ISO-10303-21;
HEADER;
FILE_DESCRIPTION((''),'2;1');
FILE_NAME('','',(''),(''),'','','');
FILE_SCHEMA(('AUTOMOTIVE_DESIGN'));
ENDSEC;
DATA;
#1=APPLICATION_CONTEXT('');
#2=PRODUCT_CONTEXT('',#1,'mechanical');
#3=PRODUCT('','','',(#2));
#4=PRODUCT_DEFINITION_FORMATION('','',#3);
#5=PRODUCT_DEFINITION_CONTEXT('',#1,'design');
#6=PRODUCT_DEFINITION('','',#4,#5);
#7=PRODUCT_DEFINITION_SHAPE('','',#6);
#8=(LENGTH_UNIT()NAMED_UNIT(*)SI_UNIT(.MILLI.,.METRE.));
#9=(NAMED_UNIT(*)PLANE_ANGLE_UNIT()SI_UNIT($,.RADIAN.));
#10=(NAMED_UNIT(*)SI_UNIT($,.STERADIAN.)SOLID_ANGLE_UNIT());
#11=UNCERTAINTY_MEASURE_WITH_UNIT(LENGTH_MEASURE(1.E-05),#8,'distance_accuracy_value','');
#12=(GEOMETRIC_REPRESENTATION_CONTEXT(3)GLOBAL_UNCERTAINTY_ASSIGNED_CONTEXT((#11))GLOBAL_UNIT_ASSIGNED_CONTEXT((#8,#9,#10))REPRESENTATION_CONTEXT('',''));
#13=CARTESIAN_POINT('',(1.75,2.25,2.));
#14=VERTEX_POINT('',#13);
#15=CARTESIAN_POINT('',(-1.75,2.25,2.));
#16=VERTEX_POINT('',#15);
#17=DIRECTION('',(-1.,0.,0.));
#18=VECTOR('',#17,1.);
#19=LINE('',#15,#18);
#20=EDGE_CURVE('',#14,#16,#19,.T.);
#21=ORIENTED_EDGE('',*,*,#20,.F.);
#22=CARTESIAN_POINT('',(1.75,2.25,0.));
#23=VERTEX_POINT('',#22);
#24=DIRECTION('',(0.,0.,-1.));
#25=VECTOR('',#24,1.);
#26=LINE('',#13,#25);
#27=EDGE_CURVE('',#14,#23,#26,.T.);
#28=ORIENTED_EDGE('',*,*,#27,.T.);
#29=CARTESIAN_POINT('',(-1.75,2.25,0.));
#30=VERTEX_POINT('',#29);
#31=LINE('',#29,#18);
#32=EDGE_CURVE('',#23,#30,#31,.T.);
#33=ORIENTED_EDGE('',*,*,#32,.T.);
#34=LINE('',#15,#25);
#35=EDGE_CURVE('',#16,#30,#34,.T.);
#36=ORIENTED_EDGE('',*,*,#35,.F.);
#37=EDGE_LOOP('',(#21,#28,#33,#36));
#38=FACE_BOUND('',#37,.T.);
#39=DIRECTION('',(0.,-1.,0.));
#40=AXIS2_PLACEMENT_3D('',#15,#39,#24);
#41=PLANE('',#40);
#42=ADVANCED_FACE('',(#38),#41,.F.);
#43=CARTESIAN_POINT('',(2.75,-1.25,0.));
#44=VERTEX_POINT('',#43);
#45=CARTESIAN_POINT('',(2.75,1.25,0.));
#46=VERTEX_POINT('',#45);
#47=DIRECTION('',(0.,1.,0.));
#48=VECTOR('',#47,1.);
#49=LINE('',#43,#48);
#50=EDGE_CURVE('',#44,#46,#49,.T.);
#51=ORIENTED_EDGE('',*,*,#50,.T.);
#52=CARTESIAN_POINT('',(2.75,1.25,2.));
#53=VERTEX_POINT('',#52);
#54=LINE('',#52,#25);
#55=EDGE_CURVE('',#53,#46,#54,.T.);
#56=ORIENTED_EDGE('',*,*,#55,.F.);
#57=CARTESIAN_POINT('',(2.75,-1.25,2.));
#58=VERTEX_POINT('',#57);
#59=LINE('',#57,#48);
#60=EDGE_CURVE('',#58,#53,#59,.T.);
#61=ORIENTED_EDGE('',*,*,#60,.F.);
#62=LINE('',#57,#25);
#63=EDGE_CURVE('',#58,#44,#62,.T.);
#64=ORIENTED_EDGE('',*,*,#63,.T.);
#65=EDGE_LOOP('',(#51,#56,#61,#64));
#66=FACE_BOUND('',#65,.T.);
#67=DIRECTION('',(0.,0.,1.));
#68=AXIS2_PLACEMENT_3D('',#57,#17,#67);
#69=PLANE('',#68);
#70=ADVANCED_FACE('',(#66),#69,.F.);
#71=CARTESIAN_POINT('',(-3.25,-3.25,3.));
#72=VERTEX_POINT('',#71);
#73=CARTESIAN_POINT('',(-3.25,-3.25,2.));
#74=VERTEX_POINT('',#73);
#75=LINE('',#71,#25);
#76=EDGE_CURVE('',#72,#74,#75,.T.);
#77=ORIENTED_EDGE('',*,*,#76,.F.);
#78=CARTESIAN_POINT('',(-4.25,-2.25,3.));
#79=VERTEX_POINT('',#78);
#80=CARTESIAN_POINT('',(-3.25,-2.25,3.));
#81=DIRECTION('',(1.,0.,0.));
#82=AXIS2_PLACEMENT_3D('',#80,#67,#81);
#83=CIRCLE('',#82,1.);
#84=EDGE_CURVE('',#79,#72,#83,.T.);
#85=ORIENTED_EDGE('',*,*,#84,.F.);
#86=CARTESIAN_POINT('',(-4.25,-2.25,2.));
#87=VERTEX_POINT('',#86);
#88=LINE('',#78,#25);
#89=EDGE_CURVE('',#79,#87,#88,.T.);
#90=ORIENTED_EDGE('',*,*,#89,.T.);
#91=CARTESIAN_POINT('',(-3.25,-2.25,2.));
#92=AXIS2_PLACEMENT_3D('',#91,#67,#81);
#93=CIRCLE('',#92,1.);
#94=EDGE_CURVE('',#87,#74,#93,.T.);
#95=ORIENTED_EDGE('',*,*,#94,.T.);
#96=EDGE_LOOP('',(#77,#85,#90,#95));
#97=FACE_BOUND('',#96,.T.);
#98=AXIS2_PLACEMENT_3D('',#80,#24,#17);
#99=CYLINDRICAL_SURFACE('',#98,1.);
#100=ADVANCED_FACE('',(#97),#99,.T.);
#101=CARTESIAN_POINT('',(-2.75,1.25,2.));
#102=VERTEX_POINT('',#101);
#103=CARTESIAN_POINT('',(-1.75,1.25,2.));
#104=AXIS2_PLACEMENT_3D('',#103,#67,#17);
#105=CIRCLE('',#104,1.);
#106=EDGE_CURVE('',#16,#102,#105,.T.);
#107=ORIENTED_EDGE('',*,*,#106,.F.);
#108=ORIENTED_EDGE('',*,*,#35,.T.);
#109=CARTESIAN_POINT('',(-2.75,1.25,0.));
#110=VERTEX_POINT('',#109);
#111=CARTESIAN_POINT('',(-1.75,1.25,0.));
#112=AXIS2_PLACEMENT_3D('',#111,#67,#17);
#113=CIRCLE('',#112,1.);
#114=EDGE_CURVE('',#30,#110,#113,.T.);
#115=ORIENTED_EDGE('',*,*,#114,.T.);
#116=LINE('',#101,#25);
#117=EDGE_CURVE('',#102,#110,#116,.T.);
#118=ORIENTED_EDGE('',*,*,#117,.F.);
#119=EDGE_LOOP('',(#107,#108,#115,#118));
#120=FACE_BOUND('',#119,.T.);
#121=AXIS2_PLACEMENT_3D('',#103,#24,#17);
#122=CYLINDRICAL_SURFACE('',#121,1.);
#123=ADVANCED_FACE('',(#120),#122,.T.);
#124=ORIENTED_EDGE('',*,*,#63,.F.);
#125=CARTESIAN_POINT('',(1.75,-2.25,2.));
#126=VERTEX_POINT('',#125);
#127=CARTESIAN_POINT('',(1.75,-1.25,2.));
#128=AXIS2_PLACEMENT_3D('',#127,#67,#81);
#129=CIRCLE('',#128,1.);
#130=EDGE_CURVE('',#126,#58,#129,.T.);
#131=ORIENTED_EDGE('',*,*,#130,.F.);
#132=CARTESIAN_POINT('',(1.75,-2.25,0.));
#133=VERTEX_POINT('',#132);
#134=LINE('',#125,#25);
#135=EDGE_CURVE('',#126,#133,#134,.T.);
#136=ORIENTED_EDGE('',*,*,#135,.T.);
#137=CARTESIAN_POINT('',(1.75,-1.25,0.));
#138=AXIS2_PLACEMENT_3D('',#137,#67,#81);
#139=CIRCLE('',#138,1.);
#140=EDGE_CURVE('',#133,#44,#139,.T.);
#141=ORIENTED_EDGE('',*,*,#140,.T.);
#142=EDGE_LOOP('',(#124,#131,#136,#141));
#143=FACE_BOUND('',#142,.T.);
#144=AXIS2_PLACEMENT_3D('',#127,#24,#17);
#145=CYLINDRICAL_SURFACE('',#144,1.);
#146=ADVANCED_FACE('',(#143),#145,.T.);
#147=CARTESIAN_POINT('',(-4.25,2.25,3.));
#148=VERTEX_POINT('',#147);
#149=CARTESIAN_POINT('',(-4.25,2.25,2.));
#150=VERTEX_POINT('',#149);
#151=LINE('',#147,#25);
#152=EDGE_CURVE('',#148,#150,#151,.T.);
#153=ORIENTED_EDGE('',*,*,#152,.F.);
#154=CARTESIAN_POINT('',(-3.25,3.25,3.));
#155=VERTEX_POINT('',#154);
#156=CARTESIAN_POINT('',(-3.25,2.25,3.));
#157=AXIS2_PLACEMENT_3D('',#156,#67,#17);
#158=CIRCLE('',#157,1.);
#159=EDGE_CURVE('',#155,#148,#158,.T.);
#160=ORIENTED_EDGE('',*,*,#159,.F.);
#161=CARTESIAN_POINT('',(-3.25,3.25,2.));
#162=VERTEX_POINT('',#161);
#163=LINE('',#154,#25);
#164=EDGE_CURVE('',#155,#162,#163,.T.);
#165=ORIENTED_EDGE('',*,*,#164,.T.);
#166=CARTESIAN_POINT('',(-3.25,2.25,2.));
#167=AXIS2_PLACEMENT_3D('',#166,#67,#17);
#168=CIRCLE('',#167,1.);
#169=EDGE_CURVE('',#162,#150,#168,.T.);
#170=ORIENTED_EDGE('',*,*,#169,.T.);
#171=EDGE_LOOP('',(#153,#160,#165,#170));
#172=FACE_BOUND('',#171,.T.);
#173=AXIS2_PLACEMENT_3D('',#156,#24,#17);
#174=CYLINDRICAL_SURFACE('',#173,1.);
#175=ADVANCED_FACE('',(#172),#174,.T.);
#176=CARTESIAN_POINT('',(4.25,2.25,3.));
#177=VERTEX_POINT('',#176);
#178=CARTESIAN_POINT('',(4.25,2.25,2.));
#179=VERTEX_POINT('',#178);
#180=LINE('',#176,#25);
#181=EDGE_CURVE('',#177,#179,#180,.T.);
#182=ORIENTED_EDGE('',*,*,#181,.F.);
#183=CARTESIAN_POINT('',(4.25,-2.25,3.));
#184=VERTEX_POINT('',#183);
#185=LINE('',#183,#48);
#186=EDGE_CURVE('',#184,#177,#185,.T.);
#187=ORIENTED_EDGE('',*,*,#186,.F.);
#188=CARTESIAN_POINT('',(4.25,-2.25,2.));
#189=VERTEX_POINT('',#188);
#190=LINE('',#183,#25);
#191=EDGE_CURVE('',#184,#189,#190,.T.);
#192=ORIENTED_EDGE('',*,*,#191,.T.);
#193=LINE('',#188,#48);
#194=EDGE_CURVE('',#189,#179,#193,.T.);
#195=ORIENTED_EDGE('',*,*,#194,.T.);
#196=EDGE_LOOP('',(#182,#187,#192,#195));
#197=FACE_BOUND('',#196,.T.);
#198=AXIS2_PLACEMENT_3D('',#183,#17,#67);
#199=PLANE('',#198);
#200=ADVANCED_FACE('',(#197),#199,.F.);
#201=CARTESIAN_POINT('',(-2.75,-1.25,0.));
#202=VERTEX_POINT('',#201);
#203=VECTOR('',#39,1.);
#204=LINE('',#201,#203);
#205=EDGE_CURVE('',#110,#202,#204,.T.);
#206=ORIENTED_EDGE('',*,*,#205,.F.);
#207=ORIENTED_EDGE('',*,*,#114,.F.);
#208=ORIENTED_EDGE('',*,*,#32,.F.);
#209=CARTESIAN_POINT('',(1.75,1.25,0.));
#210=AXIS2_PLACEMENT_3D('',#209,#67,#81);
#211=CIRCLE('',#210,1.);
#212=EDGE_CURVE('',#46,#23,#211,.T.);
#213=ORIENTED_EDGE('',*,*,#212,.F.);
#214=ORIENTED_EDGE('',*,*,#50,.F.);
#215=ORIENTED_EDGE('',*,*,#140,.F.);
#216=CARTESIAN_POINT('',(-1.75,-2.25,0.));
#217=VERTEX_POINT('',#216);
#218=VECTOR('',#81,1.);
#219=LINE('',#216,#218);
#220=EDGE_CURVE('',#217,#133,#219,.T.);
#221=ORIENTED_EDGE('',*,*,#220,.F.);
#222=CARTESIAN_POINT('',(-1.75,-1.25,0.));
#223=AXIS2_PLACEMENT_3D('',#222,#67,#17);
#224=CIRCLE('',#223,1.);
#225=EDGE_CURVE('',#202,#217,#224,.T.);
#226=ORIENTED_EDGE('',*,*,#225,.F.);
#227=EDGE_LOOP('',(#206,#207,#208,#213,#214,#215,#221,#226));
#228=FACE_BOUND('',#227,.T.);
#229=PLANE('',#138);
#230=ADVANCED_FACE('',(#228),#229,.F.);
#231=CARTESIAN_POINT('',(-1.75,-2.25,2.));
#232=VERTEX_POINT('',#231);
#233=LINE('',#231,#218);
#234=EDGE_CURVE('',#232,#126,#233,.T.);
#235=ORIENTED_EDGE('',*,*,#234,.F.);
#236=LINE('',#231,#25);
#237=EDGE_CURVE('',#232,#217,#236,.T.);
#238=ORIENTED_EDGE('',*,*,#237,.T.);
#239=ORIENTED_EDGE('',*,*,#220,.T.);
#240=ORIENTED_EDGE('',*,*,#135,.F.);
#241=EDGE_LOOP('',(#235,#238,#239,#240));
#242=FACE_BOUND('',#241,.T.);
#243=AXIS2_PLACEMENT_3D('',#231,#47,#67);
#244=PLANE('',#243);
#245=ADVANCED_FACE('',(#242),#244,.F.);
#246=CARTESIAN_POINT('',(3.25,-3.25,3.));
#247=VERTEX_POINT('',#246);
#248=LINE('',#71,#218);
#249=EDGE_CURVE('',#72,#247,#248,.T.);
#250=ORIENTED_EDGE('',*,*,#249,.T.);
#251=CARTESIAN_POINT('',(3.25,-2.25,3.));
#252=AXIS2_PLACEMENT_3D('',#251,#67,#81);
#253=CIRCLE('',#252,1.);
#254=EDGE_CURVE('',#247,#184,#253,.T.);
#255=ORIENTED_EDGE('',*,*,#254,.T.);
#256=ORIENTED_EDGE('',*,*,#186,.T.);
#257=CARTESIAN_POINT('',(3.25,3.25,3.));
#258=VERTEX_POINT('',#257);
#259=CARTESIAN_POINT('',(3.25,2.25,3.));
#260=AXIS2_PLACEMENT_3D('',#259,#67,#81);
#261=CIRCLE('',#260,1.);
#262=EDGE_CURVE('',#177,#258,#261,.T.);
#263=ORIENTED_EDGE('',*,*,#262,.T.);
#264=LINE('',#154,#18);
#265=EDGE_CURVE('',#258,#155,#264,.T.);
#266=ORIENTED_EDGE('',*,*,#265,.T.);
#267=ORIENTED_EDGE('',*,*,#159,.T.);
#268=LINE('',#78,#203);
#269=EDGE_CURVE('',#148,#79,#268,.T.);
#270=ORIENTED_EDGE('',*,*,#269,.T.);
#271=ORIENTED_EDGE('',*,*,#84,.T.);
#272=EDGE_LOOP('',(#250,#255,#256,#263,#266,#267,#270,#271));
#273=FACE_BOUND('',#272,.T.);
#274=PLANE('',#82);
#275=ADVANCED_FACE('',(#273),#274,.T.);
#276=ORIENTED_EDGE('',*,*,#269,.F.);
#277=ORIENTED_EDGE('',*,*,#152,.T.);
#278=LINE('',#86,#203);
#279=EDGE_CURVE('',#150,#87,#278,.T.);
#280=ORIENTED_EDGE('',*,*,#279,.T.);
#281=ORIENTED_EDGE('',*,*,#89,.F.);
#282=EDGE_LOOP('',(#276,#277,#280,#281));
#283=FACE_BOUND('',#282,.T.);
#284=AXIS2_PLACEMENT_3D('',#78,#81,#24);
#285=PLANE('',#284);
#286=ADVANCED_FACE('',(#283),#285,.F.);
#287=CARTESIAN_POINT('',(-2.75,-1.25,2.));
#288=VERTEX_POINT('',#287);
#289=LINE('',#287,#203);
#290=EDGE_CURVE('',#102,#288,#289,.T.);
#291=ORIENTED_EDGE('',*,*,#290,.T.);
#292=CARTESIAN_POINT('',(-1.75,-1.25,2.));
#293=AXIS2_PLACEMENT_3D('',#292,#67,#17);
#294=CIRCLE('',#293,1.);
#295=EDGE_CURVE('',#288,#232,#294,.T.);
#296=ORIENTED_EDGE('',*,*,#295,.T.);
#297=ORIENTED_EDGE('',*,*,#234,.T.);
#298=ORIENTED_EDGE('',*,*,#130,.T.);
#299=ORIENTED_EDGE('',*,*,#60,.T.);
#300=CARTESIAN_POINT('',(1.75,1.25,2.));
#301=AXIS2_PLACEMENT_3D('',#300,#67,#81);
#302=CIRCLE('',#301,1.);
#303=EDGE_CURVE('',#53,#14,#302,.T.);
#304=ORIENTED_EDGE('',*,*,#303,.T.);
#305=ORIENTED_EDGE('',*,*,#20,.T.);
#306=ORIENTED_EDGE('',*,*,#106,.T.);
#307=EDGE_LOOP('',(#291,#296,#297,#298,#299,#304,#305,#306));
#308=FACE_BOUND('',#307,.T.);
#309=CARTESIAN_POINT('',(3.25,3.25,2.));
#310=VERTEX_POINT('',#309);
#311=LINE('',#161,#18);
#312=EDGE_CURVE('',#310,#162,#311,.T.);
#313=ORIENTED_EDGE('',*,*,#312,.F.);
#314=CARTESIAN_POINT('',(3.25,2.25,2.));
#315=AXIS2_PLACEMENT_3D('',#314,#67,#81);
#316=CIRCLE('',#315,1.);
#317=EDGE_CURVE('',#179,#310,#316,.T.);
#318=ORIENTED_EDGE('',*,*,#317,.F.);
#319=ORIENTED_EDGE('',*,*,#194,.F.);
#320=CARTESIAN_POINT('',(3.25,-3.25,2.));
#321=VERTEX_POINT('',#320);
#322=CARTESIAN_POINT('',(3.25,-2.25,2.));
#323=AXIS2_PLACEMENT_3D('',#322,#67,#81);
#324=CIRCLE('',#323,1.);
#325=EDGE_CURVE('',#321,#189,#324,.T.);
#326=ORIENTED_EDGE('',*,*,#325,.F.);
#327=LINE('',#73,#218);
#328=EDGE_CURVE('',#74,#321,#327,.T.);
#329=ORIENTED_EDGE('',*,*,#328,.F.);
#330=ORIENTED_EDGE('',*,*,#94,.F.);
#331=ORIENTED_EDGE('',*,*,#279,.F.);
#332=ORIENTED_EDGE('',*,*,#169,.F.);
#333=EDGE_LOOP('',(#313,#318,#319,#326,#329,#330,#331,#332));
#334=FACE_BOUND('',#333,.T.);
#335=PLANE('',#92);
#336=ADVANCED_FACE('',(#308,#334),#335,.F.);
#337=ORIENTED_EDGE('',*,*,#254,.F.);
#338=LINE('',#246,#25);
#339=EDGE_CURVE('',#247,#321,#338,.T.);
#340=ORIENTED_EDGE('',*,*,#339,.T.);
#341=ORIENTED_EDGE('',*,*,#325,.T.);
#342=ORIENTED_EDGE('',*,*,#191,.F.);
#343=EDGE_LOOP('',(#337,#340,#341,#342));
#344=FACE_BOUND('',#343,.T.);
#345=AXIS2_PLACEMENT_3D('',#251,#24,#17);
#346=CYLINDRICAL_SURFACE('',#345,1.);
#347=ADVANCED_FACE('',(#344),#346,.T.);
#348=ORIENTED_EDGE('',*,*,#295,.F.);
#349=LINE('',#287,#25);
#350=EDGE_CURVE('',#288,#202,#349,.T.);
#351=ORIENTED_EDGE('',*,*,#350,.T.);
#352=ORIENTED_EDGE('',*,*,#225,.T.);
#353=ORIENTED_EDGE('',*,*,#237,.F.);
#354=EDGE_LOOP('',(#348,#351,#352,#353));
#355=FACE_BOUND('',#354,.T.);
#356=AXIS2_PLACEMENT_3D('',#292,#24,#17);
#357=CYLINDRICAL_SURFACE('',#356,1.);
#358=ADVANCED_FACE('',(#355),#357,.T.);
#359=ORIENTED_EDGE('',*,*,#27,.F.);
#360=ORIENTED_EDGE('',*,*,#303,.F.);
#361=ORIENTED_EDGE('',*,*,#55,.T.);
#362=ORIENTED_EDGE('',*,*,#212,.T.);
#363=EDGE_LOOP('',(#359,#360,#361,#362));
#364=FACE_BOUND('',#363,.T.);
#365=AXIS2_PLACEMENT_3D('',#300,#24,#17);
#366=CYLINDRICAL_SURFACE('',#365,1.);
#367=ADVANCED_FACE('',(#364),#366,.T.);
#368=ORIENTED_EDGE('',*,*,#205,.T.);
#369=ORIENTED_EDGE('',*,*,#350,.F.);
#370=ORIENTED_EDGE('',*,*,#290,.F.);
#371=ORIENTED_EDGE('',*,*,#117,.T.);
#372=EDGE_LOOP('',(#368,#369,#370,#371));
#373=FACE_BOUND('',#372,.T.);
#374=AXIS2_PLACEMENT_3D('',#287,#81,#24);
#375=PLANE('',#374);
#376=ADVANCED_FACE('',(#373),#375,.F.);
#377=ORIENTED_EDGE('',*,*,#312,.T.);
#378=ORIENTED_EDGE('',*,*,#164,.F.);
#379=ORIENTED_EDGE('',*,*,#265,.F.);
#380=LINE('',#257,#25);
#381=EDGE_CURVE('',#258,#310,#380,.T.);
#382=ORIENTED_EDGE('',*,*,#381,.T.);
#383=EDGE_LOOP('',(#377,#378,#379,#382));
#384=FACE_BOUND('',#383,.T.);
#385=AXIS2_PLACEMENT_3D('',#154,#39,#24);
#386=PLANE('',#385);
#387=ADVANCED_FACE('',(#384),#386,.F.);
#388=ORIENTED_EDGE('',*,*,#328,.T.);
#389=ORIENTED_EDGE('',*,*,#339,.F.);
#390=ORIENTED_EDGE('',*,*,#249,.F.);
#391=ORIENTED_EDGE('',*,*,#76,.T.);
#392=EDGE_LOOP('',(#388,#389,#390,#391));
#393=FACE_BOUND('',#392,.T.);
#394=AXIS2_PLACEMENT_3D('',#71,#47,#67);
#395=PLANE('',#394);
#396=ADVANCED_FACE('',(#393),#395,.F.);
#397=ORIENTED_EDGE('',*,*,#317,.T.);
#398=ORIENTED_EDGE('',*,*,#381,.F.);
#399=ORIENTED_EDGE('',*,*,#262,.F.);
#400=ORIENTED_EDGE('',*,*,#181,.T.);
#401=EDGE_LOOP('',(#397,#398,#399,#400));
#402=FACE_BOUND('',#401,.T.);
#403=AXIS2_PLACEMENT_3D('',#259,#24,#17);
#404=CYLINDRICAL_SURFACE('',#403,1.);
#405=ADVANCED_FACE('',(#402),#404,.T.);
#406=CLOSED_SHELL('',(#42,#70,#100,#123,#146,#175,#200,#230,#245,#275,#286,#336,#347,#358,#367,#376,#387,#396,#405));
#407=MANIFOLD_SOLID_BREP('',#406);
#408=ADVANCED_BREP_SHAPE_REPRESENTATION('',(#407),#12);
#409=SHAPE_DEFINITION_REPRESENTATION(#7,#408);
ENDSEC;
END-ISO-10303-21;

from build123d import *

# Parameters (mm, degrees)
EXTRUDE_1_DEPTH = 2
EXTRUDE_2_DEPTH = 1


with BuildPart() as part:
    # Эскиз1 → Бобышка-Вытянуть1 (new body)
    with BuildSketch(Plane.XY):
        with BuildLine():
            Line((-1.75, -2.25), (1.75, -2.25))
            ThreePointArc((1.75, -2.25), (2.457106781, -1.957106781), (2.75, -1.25))
            Line((2.75, -1.25), (2.75, 1.25))
            ThreePointArc((2.75, 1.25), (2.457106781, 1.957106781), (1.75, 2.25))
            Line((1.75, 2.25), (-1.75, 2.25))
            ThreePointArc((-1.75, 2.25), (-2.457106781, 1.957106781), (-2.75, 1.25))
            Line((-2.75, 1.25), (-2.75, -1.25))
            ThreePointArc((-2.75, -1.25), (-2.457106781, -1.957106781), (-1.75, -2.25))
        make_face()
    extrude(amount=EXTRUDE_1_DEPTH)

    # Эскиз2 → Бобышка-Вытянуть2 (add)
    with BuildSketch(Plane.XY.offset(2)):
        with BuildLine():
            Line((-3.25, -3.25), (3.25, -3.25))
            ThreePointArc((3.25, -3.25), (3.957106781, -2.957106781), (4.25, -2.25))
            Line((4.25, -2.25), (4.25, 2.25))
            ThreePointArc((4.25, 2.25), (3.957106781, 2.957106781), (3.25, 3.25))
            Line((3.25, 3.25), (-3.25, 3.25))
            ThreePointArc((-3.25, 3.25), (-3.957106781, 2.957106781), (-4.25, 2.25))
            Line((-4.25, 2.25), (-4.25, -2.25))
            ThreePointArc((-4.25, -2.25), (-3.957106781, -2.957106781), (-3.25, -3.25))
        make_face()
    extrude(amount=EXTRUDE_2_DEPTH)


solid = part.part
